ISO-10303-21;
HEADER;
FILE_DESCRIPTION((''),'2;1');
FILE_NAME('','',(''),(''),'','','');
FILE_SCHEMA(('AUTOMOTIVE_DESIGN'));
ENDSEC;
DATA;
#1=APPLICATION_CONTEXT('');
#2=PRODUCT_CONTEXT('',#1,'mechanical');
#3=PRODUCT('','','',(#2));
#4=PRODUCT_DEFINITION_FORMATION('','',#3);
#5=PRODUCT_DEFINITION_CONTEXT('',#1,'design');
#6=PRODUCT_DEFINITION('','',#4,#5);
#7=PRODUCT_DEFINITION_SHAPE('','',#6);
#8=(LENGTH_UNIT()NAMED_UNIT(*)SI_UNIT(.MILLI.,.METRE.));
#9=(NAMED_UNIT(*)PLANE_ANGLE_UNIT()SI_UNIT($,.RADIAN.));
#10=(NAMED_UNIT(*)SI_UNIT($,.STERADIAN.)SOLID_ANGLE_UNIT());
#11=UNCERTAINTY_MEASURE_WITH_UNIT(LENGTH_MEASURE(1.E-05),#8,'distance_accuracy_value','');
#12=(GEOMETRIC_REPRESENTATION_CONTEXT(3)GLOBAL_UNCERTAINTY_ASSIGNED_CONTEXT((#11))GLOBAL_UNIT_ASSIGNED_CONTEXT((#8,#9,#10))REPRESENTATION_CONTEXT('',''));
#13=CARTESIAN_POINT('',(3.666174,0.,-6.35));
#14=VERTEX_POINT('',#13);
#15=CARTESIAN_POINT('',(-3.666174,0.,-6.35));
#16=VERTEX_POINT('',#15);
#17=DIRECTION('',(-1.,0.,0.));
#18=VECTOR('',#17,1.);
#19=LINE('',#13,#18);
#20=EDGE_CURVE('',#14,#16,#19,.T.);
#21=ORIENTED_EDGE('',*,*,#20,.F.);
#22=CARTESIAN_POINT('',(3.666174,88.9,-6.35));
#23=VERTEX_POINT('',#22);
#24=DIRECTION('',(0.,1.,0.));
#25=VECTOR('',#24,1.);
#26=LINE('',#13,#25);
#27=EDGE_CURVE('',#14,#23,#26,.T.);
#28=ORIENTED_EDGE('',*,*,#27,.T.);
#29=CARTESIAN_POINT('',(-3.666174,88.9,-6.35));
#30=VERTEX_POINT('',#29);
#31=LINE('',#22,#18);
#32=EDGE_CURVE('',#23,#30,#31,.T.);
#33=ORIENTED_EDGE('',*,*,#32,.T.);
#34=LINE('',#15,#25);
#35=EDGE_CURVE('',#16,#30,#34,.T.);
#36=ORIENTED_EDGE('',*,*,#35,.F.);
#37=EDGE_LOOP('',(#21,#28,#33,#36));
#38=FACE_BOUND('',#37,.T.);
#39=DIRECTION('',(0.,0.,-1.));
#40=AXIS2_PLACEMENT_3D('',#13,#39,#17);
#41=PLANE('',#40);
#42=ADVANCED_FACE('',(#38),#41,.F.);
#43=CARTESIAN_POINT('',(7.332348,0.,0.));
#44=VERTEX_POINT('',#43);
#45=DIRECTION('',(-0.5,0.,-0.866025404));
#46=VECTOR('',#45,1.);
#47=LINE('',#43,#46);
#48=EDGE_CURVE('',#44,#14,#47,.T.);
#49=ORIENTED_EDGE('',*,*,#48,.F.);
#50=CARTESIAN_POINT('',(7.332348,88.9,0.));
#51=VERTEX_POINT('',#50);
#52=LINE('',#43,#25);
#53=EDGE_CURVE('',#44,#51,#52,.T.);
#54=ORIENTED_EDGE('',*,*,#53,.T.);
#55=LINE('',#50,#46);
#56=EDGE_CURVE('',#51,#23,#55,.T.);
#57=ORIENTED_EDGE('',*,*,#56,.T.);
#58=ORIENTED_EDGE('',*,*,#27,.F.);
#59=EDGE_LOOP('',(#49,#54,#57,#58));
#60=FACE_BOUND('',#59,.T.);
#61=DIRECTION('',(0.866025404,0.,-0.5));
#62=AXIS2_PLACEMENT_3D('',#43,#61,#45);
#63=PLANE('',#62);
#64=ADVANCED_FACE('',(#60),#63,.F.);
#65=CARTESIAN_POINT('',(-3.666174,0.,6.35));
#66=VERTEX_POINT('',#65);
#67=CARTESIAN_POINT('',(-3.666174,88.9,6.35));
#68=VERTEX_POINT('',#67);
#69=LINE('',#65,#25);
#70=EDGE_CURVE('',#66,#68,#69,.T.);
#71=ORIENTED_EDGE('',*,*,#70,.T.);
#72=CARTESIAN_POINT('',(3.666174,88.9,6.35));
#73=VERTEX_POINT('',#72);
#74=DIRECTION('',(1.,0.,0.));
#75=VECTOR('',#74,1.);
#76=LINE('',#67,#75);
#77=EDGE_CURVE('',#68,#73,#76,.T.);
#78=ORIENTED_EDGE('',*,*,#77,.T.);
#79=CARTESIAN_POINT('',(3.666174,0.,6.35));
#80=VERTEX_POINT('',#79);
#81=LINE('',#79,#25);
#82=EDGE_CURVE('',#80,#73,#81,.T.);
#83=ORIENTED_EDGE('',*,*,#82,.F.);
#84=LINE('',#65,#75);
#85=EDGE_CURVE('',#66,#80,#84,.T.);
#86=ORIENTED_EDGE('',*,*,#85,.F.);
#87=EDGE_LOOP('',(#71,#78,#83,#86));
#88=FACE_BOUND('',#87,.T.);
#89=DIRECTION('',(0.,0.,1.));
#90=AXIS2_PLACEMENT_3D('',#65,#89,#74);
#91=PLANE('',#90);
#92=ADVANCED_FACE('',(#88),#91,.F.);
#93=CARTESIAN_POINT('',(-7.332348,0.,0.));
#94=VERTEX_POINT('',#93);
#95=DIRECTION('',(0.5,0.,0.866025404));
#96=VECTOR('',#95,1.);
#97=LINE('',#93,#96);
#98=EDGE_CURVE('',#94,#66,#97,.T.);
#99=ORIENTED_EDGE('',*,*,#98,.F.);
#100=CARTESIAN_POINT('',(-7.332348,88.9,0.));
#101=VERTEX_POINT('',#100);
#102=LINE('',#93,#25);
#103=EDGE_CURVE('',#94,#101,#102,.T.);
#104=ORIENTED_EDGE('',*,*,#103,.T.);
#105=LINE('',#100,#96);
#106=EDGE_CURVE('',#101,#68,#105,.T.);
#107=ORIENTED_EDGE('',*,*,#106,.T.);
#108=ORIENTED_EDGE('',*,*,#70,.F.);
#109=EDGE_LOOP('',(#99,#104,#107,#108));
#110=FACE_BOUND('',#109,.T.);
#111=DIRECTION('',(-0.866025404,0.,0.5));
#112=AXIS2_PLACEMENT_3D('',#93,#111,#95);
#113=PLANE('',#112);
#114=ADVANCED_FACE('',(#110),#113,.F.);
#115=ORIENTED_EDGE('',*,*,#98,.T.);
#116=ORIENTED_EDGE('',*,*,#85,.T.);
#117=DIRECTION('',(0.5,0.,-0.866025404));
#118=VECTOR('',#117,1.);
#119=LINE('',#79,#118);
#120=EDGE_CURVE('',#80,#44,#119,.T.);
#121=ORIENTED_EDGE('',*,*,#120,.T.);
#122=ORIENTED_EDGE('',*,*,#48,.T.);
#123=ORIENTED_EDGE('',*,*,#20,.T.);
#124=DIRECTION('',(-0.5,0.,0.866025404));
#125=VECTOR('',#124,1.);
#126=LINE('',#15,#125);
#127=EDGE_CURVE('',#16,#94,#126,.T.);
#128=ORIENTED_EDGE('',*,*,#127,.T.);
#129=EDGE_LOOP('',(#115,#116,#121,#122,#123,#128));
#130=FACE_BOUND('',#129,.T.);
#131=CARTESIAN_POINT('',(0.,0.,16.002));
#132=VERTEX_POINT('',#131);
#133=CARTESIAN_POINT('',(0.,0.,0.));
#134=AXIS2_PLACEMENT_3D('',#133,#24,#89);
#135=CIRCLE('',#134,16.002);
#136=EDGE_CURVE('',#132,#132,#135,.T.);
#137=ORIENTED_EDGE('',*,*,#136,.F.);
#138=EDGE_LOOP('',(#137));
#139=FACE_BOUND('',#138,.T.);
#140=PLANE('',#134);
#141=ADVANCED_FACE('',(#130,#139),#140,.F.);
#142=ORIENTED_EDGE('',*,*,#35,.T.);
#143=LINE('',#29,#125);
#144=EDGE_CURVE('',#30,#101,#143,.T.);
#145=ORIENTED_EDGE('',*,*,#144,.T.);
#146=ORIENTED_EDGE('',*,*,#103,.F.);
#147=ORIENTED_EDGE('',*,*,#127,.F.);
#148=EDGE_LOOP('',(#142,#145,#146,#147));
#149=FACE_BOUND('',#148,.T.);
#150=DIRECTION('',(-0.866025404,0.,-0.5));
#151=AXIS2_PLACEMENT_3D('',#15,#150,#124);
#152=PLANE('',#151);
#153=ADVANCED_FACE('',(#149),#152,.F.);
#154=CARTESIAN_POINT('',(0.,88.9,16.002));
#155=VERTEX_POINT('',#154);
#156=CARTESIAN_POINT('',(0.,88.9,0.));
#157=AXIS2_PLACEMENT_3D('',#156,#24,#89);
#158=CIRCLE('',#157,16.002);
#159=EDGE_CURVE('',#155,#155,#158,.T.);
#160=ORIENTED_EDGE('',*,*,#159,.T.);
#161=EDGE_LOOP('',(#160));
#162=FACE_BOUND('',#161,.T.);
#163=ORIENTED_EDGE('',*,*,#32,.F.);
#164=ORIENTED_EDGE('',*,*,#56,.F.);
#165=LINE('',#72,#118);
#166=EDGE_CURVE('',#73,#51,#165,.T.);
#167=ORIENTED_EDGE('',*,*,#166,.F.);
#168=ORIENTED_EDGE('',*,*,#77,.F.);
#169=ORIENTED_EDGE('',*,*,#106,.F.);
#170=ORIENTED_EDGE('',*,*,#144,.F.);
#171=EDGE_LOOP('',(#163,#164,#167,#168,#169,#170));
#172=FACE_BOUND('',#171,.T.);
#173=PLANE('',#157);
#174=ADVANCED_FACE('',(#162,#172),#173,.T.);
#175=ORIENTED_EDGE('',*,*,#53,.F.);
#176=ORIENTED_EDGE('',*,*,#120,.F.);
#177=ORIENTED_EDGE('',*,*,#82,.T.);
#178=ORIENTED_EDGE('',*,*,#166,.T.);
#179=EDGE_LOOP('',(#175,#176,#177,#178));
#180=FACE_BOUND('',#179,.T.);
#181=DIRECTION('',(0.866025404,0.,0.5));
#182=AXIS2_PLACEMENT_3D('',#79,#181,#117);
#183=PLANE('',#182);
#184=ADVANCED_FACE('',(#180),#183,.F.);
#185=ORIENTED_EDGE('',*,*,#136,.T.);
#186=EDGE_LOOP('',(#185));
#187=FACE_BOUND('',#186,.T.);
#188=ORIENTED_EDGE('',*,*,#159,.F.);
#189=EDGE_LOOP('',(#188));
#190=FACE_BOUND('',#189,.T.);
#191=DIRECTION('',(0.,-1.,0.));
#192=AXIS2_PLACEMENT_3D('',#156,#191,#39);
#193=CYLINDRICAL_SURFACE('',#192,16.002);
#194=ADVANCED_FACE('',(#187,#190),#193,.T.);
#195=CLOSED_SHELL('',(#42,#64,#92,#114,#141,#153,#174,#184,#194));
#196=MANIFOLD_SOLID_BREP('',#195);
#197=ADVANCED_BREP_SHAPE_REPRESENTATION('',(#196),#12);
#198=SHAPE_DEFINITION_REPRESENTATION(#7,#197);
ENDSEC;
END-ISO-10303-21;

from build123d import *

# Parameters (mm, degrees)
SKETCH2_R           = 16.002
BOSS_EXTRUDE1_DEPTH = 88.9
CUT_EXTRUDE1_DEPTH  = 92.735151431


with BuildPart() as part:
    # Sketch2 → Boss-Extrude1 (new body)
    with BuildSketch(Plane(origin=(0, 0, 0), x_dir=(1, 0, 0), z_dir=(0, 1, 0))):
        with Locations(Location((0, 0, 0), (0, 0, 270))):
            Circle(SKETCH2_R)
    extrude(amount=BOSS_EXTRUDE1_DEPTH)

    # Sketch3 → Cut-Extrude1 (cut, through all)
    with BuildSketch(Plane(origin=(0, 88.9, 0), x_dir=(1, 0, 0), z_dir=(0, 1, 0))):
        Polygon((7.332348419, 0), (3.666174209, 6.35), (-3.666174209, 6.35), (-7.332348419, 0), (-3.666174209, -6.35), (3.666174209, -6.35), align=None)
    extrude(amount=-CUT_EXTRUDE1_DEPTH, mode=Mode.SUBTRACT)


solid = part.part
